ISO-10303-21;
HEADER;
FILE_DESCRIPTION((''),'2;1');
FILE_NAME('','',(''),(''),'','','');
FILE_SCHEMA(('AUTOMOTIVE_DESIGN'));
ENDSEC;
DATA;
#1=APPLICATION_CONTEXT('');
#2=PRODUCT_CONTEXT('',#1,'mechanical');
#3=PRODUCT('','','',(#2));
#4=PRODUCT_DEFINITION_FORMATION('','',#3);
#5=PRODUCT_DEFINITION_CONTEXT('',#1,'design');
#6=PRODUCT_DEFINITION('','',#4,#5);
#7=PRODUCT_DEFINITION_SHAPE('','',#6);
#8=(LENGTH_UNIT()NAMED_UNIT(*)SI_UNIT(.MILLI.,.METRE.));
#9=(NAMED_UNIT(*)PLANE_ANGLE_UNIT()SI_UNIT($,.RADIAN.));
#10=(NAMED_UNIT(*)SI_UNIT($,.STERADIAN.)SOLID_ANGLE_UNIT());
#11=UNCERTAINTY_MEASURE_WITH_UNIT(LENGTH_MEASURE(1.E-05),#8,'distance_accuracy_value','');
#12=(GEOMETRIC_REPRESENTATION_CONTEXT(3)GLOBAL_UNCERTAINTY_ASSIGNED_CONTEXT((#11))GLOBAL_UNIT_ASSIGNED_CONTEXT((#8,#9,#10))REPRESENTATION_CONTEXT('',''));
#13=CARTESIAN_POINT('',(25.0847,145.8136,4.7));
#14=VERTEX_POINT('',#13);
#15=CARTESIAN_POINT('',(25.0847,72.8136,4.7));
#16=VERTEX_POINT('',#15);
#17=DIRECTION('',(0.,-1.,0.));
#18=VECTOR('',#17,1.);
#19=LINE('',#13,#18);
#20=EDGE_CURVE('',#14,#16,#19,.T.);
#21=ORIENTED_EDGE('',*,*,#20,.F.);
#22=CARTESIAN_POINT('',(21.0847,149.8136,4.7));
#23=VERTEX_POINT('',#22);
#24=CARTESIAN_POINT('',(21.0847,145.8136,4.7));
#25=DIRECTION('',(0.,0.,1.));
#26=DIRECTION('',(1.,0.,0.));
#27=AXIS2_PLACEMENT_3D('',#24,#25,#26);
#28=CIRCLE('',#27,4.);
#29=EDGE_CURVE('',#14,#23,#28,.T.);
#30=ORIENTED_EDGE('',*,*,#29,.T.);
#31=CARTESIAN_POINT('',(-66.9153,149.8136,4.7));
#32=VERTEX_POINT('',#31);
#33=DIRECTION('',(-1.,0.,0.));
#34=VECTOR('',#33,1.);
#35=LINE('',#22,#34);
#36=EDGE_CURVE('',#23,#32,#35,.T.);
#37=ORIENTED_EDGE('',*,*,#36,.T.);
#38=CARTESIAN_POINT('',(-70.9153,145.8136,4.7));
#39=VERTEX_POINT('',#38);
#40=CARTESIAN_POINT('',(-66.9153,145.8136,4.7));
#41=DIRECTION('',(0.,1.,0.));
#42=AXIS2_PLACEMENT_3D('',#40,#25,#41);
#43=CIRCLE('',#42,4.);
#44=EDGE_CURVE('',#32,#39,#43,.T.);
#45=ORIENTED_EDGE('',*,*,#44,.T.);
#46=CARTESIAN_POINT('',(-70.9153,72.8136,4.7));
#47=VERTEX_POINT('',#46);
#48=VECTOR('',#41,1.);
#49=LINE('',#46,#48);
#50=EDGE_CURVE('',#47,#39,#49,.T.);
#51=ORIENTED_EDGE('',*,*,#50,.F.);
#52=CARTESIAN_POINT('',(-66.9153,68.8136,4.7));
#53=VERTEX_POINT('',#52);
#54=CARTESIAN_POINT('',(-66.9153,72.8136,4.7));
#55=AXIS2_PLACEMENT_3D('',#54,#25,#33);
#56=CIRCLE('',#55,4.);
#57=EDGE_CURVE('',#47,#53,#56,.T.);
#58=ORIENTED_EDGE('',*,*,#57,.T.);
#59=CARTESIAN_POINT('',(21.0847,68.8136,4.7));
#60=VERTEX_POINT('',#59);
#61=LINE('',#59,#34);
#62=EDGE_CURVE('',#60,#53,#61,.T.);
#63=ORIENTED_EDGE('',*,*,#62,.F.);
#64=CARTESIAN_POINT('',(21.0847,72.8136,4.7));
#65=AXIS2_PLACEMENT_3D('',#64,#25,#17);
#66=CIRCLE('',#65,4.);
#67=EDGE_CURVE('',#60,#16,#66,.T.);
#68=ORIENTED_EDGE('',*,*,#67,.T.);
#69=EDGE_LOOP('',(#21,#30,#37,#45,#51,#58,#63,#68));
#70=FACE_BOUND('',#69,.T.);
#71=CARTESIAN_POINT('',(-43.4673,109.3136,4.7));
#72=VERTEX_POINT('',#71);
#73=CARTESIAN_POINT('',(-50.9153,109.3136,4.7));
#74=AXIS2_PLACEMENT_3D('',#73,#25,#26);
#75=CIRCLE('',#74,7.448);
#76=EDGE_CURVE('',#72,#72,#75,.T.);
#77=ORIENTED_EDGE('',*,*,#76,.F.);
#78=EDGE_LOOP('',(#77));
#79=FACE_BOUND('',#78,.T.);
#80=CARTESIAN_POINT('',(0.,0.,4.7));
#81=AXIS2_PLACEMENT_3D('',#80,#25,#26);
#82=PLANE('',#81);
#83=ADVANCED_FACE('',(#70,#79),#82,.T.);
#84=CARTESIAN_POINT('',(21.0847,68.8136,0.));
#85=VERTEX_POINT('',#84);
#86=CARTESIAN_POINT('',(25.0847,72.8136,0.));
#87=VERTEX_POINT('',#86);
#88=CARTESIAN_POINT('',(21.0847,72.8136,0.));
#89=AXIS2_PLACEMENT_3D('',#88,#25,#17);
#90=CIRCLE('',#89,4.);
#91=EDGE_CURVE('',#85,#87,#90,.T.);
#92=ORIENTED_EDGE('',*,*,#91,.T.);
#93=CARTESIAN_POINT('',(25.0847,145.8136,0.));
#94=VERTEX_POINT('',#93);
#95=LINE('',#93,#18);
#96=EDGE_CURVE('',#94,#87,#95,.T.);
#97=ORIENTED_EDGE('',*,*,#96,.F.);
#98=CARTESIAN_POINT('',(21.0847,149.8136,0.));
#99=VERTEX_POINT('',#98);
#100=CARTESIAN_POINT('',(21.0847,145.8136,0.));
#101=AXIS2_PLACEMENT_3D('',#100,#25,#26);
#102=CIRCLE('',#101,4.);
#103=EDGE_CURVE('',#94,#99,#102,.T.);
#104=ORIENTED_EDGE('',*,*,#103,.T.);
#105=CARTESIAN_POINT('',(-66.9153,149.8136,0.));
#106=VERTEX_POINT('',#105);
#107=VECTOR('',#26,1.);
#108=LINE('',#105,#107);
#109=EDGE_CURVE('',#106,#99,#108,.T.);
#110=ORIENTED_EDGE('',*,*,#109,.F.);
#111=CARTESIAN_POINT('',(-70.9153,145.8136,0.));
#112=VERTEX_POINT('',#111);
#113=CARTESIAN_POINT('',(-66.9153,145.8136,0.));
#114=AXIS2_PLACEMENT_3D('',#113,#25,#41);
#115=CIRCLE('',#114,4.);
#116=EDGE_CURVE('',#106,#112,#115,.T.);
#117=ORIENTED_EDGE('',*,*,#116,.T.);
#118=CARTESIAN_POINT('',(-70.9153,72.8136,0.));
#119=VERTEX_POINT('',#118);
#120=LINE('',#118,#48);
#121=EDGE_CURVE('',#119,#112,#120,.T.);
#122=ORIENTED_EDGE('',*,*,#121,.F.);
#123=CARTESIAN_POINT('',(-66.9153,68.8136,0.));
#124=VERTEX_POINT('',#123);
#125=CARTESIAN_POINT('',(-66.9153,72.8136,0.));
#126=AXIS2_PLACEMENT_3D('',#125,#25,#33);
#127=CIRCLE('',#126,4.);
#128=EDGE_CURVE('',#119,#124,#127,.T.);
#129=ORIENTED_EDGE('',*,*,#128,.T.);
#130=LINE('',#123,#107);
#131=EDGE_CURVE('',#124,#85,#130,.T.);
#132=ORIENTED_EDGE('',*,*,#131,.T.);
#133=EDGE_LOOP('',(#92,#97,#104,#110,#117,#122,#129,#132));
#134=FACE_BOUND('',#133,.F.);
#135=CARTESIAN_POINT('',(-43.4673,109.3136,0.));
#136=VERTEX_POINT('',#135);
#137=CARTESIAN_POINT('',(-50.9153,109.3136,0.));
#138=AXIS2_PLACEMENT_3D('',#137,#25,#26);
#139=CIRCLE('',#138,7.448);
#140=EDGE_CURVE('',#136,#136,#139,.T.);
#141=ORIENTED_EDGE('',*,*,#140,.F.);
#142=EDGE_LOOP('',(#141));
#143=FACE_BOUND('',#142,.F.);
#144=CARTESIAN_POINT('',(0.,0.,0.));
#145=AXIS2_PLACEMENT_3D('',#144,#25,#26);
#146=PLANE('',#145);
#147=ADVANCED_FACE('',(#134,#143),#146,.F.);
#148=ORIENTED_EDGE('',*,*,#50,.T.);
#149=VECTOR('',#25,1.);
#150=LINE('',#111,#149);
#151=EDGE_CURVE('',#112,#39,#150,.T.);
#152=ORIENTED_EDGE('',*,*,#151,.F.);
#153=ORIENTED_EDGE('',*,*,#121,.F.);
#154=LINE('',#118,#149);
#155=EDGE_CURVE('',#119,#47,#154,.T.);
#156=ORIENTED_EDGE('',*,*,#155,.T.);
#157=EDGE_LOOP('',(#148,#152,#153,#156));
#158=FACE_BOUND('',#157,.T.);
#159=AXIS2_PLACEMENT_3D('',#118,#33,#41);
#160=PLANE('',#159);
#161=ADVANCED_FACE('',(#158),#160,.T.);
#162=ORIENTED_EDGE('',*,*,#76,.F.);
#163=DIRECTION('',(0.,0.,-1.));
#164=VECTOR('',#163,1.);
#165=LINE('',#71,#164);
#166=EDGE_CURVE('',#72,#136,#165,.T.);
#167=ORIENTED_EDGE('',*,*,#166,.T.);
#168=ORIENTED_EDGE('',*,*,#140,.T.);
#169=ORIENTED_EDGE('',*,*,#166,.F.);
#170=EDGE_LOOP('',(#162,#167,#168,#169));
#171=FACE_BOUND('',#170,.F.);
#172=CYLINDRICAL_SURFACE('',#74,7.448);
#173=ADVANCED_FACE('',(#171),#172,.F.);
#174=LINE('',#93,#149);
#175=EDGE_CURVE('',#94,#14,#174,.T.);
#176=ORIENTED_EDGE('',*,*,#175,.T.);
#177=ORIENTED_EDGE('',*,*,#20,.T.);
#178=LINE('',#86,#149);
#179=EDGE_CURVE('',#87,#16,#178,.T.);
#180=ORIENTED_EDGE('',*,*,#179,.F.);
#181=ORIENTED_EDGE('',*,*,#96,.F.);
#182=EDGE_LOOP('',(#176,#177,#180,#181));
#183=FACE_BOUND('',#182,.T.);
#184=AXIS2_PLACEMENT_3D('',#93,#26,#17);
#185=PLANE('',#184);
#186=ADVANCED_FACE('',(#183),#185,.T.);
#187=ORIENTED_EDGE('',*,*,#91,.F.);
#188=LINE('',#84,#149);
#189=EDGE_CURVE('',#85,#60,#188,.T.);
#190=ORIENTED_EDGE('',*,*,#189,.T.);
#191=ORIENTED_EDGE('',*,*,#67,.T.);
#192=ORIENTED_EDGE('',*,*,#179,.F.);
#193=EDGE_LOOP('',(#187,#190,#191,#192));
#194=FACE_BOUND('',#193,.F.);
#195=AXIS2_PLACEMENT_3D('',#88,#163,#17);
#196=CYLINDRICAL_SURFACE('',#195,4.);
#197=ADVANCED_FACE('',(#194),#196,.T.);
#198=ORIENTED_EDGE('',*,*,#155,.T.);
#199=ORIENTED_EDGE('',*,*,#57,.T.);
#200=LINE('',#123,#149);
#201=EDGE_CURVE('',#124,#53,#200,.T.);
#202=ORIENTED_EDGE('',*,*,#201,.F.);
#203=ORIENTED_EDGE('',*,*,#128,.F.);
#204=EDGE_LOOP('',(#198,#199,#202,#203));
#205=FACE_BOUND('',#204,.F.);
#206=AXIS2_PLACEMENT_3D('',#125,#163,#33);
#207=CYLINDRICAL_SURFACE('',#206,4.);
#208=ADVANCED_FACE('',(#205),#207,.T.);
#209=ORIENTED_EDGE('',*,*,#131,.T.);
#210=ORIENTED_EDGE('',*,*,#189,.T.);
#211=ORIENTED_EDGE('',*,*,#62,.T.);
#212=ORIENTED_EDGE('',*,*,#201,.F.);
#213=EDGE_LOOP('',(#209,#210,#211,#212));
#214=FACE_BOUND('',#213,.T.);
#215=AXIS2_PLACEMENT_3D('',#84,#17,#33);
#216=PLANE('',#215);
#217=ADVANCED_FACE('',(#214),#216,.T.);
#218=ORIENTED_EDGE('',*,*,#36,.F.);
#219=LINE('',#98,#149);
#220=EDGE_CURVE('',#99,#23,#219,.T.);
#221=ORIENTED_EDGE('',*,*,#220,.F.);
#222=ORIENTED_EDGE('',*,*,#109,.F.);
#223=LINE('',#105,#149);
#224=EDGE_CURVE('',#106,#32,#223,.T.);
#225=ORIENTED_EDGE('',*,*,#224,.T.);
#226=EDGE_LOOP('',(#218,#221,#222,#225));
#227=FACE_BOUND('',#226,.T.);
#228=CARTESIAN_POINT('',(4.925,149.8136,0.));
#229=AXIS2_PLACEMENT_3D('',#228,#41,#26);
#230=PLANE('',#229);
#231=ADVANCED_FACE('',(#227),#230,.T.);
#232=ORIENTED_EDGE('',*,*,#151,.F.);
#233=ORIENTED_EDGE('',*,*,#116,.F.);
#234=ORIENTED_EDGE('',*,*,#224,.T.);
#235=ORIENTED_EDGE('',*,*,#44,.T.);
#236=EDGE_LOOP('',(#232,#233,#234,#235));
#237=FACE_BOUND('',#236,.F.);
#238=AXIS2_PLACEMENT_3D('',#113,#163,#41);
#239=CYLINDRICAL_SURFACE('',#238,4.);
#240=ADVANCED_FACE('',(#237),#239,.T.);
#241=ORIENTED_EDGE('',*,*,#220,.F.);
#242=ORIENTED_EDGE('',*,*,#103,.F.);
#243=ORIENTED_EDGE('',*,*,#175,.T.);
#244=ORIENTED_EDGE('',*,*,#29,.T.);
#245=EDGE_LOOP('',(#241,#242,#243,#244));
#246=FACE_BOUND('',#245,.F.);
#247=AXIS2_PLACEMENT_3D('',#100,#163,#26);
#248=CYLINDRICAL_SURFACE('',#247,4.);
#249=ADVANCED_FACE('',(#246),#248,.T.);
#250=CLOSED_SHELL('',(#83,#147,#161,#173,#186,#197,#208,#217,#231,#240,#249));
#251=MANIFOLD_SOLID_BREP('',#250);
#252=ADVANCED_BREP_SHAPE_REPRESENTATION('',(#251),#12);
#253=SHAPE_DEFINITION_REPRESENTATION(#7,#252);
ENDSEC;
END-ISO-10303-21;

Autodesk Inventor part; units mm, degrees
ref_plane "YZ Plane" through (0, 0, 0) normal (1, 0, 0) x (0, 1, 0)
ref_plane "XZ Plane" through (0, 0, 0) normal (0, 1, 0) x (-1, 0, 0)
ref_plane "XY Plane" through (0, 0, 0) normal (0, 0, 1) x (1, 0, 0)
sketch "Sketch1" plane through (0, 0, 0) normal (0, 0, 1) x (1, 0, 0)
  line L0 (21.0847, 68.8136) -> (-66.9153, 68.8136)
  line L1 (-70.9153, 72.8136) -> (-70.9153, 145.8136)
  line L2 (-66.9153, 149.8136) -> (21.0847, 149.8136)
  line L3 (25.0847, 145.8136) -> (25.0847, 72.8136)
  line L4 (4.925, 0) -> (4.925, 205.34) projected
  line L5 (-25.075, 0) -> (-25.075, 205.34) projected
  arc A0 (-66.9153, 149.8136) -> (-70.9153, 145.8136) centre (-66.9153, 145.8136) ccw
  arc A1 (25.0847, 145.8136) -> (21.0847, 149.8136) centre (21.0847, 145.8136) ccw
  arc A2 (21.0847, 68.8136) -> (25.0847, 72.8136) centre (21.0847, 72.8136) ccw
  arc A3 (-70.9153, 72.8136) -> (-66.9153, 68.8136) centre (-66.9153, 72.8136) ccw
  point P0 (0, 0)
  dimension "d0" = 96
  dimension "d1" = 81
  dimension "d2" = 4
extrude "Extrusion1" add sketch "Sketch1" along normal blind 4.7
sketch "Sketch2" plane through (0, 0, 4.7) normal (0, 0, 1) x (1, 0, 0)
  line L0 (21.0847, 149.8136) -> (-66.9153, 149.8136) projected
  arc A0 (-66.9153, 149.8136) -> (-70.9153, 145.8136) centre (-66.9153, 145.8136) ccw projected
  line L1 (-70.9153, 145.8136) -> (-70.9153, 72.8136) projected
  arc A1 (-70.9153, 72.8136) -> (-66.9153, 68.8136) centre (-66.9153, 72.8136) ccw projected
  line L2 (-66.9153, 68.8136) -> (21.0847, 68.8136) projected
  arc A2 (21.0847, 68.8136) -> (25.0847, 72.8136) centre (21.0847, 72.8136) ccw projected
  line L3 (25.0847, 72.8136) -> (25.0847, 145.8136) projected
  arc A3 (25.0847, 145.8136) -> (21.0847, 149.8136) centre (21.0847, 145.8136) ccw projected
  circle A4 centre (-50.9153, 109.3136) radius 7.448
  point P0 (0, 0)
  dimension "d5" = 20
extrude "Extrusion2" cut sketch "Sketch2" against normal through all contours A4
properties part number "Neje_Base_slide_x"
